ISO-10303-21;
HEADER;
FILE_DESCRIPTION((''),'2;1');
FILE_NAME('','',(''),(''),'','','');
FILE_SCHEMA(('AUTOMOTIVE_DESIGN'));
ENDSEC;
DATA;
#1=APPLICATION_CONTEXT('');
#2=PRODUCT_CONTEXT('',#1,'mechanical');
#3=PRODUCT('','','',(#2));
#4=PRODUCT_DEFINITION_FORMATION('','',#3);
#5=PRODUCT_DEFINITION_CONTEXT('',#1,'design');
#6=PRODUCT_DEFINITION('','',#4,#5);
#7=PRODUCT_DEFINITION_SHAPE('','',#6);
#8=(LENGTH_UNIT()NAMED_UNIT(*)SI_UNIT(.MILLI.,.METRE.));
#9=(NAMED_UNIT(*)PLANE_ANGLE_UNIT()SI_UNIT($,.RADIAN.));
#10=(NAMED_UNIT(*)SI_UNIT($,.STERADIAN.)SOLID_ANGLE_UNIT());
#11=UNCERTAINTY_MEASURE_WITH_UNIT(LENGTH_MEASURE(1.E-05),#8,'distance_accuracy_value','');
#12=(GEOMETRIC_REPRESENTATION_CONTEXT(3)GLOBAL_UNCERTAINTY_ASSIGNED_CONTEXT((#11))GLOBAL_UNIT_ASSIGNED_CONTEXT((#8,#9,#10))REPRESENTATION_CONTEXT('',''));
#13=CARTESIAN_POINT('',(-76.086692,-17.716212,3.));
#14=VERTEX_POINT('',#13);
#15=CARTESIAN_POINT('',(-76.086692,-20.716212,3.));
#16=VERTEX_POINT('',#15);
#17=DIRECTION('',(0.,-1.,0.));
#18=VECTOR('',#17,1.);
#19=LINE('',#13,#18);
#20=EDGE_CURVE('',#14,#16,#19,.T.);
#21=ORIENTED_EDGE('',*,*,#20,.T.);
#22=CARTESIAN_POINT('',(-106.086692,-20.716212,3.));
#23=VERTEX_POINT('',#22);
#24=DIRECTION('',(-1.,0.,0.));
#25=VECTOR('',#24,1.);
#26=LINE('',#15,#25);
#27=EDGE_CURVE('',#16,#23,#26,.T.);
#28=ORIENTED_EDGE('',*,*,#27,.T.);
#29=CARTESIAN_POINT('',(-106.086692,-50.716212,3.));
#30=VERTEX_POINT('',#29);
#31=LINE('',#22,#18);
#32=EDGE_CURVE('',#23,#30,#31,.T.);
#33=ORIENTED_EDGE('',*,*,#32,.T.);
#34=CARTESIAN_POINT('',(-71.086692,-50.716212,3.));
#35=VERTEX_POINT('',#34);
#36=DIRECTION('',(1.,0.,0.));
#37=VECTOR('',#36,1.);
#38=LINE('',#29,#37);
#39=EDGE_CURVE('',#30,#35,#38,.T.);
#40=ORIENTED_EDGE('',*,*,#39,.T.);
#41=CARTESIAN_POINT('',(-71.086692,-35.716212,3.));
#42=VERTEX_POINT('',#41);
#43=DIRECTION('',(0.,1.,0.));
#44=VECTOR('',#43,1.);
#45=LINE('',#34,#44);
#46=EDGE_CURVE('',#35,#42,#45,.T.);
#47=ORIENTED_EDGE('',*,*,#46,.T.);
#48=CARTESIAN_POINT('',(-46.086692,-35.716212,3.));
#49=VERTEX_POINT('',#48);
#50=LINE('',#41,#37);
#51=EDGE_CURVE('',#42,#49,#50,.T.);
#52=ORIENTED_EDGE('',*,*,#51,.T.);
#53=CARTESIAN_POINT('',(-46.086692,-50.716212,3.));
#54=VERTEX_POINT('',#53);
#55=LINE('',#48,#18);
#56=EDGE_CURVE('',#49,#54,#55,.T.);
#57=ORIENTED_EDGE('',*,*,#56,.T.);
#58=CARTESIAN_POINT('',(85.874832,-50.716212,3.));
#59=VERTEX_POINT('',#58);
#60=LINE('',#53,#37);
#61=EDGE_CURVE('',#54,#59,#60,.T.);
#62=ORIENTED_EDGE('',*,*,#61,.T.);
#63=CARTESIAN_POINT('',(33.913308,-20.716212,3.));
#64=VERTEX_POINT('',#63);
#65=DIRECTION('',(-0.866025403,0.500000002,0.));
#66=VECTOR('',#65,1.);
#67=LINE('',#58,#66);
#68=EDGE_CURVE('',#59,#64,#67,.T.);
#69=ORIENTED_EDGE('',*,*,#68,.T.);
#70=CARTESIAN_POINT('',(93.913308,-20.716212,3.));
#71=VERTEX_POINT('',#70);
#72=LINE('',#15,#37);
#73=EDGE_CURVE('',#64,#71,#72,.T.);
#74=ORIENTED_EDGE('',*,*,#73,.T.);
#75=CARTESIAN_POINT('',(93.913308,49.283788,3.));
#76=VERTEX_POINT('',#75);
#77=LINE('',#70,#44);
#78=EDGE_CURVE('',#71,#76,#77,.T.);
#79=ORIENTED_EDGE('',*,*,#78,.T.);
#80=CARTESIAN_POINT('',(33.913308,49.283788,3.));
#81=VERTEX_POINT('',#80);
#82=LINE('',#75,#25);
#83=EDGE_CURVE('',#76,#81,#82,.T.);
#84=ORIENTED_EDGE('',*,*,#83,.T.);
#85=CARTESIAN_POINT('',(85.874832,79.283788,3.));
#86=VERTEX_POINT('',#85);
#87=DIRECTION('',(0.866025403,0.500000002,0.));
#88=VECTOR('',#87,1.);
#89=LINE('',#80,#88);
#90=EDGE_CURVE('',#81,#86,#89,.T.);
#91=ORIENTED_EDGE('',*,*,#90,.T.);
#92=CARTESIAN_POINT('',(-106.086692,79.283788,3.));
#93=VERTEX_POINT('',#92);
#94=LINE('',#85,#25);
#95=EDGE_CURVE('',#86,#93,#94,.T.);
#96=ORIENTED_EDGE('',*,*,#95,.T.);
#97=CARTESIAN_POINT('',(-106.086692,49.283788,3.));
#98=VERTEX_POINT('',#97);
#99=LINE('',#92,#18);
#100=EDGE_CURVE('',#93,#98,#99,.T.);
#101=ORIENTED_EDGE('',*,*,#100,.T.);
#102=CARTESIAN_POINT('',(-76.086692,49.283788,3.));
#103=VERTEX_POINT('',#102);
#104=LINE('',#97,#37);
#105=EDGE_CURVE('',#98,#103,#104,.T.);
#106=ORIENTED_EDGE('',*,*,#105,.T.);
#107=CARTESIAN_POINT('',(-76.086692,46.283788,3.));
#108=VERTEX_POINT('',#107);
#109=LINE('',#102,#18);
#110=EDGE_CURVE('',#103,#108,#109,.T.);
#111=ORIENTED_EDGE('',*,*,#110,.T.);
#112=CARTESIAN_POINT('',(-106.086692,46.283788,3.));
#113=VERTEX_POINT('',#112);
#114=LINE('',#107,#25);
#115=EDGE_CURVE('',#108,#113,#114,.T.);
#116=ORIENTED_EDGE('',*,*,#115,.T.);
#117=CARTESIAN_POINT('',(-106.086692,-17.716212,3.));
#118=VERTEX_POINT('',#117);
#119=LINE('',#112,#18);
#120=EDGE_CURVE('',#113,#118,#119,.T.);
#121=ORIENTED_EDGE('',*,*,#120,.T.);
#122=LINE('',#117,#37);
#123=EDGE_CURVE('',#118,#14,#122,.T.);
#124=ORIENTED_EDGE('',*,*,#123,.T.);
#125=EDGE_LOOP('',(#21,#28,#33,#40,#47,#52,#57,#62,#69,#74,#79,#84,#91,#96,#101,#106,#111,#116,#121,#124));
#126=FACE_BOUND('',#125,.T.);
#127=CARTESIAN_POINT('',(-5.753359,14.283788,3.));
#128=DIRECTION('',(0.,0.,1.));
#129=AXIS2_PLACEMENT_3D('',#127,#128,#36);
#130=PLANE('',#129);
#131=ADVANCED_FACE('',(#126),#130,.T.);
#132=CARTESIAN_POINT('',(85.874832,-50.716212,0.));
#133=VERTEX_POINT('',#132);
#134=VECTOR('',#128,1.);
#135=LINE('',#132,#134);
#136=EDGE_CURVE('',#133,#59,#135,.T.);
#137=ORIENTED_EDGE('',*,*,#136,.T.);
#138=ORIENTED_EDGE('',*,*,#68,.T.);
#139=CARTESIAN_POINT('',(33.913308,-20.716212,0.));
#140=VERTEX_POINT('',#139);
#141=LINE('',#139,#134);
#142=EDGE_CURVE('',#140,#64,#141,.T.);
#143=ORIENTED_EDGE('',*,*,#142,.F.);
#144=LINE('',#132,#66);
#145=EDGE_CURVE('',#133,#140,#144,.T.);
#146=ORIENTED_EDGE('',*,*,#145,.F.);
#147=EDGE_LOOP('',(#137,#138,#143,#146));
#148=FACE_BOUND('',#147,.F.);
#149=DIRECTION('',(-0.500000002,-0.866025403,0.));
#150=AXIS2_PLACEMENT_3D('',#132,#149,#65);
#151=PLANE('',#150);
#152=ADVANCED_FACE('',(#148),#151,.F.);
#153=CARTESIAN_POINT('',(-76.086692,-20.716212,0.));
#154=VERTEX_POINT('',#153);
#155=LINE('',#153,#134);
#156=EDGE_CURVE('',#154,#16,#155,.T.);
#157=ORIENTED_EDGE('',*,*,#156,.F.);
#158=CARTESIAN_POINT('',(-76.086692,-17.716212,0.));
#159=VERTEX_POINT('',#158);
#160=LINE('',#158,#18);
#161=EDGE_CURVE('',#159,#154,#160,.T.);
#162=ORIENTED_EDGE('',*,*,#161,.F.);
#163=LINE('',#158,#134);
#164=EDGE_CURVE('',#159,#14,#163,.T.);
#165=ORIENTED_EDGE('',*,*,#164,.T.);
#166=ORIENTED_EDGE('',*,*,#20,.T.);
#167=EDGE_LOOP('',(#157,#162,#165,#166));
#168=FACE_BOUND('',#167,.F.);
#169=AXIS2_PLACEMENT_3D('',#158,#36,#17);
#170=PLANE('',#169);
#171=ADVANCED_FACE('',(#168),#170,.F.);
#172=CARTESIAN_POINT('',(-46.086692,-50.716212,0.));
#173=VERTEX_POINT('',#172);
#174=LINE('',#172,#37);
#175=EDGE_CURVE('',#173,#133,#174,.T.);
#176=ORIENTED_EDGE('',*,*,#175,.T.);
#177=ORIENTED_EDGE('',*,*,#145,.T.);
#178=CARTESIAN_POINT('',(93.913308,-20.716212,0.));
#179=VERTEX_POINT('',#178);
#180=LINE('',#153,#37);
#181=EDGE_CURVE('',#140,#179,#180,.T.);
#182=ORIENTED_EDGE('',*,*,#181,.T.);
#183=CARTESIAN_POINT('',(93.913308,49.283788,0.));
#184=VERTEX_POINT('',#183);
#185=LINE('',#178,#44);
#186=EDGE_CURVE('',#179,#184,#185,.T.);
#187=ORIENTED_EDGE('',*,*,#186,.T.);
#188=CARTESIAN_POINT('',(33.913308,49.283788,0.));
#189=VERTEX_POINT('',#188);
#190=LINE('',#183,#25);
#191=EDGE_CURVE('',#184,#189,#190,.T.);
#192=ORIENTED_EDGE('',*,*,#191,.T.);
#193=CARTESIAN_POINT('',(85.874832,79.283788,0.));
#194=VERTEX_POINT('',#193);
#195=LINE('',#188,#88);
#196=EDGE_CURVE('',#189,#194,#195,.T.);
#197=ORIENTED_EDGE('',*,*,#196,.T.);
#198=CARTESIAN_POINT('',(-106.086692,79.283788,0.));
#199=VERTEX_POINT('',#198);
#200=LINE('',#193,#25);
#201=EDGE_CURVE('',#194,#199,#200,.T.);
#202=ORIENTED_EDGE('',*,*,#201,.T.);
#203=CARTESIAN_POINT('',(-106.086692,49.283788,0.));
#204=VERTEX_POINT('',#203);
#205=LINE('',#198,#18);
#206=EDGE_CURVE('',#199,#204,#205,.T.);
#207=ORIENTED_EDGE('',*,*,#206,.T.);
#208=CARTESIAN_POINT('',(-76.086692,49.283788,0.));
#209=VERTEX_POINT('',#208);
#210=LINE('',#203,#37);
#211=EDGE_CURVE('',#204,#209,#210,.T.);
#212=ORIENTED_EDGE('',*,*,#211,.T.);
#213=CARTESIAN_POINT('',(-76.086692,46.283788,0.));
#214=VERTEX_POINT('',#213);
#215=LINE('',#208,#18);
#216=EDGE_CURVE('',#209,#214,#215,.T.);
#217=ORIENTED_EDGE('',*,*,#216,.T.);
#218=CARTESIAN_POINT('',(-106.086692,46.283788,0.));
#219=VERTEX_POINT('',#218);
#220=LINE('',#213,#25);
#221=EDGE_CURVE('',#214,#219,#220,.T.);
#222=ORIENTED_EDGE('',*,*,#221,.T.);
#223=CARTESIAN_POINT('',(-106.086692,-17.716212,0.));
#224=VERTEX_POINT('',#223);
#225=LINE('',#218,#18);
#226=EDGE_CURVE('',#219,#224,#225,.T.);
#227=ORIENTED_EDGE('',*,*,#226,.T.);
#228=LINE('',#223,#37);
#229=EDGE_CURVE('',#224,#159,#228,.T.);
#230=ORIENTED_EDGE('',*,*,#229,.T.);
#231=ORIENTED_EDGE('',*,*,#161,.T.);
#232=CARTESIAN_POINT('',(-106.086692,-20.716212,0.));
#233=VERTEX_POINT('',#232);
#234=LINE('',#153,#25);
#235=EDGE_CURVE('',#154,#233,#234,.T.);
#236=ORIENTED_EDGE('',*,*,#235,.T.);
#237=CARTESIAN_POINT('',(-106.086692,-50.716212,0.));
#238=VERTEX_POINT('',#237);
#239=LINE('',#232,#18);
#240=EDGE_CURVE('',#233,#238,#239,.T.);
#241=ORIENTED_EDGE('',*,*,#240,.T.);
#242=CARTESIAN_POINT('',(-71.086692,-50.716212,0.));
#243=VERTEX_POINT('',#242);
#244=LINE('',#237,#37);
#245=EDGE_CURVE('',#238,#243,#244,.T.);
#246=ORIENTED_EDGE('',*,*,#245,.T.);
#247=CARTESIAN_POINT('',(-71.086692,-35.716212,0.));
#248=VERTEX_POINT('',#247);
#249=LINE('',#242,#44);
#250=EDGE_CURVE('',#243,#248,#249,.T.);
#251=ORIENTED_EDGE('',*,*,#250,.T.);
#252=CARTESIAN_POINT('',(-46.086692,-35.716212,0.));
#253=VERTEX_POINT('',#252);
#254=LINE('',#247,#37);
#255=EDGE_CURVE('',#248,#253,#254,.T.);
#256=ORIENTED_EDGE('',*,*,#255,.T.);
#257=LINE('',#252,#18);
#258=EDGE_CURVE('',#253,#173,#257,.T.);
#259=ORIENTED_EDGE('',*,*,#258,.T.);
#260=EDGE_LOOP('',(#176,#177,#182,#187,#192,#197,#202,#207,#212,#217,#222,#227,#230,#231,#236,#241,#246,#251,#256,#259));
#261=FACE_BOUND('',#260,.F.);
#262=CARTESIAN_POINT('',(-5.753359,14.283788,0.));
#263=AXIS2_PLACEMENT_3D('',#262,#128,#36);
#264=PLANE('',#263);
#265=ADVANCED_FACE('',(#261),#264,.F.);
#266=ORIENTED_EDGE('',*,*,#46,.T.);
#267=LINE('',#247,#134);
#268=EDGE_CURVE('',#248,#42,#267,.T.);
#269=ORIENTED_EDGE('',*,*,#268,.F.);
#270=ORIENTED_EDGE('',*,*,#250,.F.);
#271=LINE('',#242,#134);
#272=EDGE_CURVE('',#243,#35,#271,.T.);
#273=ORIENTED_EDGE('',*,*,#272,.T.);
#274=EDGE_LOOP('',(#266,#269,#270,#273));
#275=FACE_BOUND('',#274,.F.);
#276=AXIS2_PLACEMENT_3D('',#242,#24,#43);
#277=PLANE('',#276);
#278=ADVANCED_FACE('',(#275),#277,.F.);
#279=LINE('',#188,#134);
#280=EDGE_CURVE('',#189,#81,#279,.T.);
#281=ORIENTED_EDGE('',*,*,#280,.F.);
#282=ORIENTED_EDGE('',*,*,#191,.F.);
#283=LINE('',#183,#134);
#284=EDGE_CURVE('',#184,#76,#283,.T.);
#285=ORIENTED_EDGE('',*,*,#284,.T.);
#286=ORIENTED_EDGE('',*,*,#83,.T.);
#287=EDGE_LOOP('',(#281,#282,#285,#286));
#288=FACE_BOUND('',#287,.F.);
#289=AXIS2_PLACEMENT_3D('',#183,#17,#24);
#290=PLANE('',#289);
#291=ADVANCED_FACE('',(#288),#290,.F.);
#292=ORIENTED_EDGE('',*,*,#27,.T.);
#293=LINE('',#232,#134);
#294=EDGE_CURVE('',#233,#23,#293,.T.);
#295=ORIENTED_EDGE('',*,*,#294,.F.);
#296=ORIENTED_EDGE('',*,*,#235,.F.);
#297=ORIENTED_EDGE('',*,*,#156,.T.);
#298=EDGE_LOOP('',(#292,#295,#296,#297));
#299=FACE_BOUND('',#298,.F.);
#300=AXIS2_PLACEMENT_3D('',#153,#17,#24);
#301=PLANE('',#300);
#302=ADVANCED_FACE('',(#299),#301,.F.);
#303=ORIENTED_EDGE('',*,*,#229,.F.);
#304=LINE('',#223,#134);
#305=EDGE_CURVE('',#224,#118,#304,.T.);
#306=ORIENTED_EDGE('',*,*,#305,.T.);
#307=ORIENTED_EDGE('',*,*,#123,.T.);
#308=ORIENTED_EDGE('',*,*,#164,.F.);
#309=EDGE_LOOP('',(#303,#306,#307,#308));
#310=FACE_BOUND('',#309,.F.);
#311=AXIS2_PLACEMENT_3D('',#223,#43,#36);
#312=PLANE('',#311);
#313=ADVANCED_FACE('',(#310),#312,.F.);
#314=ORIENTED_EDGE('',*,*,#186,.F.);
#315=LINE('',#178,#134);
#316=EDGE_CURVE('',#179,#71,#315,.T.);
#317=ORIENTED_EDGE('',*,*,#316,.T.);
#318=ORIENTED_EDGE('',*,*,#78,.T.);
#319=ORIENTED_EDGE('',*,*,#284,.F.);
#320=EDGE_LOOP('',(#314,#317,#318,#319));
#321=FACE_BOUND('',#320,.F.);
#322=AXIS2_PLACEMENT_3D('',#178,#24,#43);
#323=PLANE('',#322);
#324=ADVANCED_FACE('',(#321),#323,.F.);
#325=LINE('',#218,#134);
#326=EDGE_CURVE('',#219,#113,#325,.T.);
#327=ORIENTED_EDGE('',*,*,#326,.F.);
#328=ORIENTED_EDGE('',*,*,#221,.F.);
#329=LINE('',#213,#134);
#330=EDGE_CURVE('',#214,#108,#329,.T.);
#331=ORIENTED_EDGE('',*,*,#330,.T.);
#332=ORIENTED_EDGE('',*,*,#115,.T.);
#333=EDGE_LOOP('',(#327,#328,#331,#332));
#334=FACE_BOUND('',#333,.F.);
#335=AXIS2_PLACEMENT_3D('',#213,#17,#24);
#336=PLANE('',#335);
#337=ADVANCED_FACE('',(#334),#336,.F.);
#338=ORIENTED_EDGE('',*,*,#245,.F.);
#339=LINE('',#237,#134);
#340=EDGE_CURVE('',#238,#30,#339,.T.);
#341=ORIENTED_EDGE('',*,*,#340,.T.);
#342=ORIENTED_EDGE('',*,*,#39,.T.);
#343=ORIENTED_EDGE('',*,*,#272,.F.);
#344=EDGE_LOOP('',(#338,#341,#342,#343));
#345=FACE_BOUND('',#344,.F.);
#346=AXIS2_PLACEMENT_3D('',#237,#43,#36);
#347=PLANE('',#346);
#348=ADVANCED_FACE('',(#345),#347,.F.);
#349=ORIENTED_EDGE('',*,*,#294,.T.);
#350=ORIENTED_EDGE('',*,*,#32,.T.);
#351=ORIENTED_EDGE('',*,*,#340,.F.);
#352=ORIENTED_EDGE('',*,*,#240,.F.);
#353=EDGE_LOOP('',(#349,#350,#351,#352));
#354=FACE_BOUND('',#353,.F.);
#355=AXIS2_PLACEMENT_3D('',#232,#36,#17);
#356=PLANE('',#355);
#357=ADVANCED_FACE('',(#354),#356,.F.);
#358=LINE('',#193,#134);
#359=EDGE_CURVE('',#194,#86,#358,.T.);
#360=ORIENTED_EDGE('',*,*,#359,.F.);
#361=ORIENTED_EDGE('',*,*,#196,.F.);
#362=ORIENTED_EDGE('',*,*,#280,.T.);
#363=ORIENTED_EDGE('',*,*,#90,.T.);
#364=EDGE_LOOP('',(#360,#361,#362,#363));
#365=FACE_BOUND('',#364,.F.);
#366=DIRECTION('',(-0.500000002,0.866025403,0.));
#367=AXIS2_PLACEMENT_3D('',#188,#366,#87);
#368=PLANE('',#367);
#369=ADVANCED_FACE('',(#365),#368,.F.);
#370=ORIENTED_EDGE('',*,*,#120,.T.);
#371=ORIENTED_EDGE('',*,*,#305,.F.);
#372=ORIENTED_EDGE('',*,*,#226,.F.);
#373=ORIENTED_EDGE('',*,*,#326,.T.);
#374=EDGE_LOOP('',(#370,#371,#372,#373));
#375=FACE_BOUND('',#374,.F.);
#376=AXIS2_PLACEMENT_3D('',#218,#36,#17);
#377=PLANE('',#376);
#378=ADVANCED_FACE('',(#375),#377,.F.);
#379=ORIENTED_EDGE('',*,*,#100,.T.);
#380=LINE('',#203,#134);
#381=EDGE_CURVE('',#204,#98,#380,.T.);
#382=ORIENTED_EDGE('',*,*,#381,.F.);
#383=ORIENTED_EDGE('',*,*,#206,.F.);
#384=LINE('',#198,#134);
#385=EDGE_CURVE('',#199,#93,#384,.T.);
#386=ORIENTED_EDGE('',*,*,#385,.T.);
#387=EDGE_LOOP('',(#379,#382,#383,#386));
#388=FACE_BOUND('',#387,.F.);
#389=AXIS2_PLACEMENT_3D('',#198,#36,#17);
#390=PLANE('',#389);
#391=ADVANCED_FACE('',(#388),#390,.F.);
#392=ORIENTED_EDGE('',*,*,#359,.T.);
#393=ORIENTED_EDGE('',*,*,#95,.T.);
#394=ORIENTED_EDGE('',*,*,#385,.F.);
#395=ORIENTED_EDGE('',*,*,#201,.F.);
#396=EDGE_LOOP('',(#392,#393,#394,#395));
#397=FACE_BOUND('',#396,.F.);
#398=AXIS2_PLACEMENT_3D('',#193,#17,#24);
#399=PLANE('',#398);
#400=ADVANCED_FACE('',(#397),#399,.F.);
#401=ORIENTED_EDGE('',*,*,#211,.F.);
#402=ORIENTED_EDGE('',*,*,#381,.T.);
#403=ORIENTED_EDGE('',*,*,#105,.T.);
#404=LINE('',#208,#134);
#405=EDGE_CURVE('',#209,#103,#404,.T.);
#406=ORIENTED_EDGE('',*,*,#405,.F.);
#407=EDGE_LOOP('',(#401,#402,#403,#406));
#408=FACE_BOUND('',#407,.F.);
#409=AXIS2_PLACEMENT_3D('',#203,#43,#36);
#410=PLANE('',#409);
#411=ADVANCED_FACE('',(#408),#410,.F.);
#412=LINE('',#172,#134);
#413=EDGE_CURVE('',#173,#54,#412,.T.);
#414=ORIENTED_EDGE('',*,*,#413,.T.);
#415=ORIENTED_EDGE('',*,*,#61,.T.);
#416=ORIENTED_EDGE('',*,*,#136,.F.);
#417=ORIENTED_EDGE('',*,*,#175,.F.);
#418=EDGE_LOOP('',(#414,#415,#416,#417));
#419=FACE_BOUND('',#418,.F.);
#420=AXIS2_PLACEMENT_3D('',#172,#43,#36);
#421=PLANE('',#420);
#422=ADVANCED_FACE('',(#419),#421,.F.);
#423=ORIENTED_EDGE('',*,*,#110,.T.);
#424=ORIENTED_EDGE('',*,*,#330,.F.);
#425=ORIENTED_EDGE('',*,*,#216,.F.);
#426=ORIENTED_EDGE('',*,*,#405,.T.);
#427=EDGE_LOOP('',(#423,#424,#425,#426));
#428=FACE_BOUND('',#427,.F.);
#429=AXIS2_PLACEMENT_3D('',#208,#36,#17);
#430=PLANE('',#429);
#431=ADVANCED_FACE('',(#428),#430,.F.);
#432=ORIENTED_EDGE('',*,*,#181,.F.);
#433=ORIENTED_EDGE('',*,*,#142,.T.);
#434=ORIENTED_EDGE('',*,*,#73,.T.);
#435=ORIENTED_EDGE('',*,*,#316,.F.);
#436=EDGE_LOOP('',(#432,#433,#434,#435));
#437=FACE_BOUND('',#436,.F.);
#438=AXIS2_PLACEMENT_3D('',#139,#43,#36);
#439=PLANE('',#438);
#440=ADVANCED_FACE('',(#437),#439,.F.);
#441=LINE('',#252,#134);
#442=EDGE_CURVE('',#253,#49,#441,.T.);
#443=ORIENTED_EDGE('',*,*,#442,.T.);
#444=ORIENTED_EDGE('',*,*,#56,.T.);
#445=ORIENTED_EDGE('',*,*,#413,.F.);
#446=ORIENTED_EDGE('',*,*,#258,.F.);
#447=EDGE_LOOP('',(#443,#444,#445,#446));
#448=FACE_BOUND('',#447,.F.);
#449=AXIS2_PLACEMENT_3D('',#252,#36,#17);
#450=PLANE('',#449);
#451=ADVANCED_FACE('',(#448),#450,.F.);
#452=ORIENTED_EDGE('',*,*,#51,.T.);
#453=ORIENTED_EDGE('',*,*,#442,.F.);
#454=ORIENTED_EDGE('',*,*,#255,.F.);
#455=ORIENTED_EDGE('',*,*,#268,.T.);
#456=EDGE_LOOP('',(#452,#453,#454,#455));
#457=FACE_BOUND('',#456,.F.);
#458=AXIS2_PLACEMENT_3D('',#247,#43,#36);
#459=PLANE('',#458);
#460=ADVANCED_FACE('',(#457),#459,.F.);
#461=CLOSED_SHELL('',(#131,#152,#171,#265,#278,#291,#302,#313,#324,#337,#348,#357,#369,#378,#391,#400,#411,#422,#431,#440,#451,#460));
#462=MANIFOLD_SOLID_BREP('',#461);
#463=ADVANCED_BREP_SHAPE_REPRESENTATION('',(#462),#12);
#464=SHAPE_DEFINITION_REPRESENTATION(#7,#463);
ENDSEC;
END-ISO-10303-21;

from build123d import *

# Parameters (mm, degrees)
F1_DEPTH = 3


with BuildPart() as f1:
    # F0 (on Top) → F1 (new body)
    with BuildSketch(Plane.XY):
        Polygon((93.913308, 49.283788), (33.913308, 49.283788), (-76.086692, 49.283788), (-76.086692, 46.283788), (-106.086692, 46.283788), (-106.086692, -17.716212), (-76.086692, -17.716212), (-76.086692, -20.716212), (33.913308, -20.716212), (93.913308, -20.716212), align=None)
        Polygon((85.874832, -50.716212), (33.913308, -20.716212), (-76.086692, -20.716212), (-106.086692, -20.716212), (-106.086692, -50.716212), (-71.086692, -50.716212), (-71.086692, -35.716212), (-46.086692, -35.716212), (-46.086692, -50.716212), align=None)
        Polygon((85.874832, 79.283788), (-106.086692, 79.283788), (-106.086692, 49.283788), (-76.086692, 49.283788), (33.913308, 49.283788), align=None)
    extrude(amount=F1_DEPTH)


solid = f1.part
